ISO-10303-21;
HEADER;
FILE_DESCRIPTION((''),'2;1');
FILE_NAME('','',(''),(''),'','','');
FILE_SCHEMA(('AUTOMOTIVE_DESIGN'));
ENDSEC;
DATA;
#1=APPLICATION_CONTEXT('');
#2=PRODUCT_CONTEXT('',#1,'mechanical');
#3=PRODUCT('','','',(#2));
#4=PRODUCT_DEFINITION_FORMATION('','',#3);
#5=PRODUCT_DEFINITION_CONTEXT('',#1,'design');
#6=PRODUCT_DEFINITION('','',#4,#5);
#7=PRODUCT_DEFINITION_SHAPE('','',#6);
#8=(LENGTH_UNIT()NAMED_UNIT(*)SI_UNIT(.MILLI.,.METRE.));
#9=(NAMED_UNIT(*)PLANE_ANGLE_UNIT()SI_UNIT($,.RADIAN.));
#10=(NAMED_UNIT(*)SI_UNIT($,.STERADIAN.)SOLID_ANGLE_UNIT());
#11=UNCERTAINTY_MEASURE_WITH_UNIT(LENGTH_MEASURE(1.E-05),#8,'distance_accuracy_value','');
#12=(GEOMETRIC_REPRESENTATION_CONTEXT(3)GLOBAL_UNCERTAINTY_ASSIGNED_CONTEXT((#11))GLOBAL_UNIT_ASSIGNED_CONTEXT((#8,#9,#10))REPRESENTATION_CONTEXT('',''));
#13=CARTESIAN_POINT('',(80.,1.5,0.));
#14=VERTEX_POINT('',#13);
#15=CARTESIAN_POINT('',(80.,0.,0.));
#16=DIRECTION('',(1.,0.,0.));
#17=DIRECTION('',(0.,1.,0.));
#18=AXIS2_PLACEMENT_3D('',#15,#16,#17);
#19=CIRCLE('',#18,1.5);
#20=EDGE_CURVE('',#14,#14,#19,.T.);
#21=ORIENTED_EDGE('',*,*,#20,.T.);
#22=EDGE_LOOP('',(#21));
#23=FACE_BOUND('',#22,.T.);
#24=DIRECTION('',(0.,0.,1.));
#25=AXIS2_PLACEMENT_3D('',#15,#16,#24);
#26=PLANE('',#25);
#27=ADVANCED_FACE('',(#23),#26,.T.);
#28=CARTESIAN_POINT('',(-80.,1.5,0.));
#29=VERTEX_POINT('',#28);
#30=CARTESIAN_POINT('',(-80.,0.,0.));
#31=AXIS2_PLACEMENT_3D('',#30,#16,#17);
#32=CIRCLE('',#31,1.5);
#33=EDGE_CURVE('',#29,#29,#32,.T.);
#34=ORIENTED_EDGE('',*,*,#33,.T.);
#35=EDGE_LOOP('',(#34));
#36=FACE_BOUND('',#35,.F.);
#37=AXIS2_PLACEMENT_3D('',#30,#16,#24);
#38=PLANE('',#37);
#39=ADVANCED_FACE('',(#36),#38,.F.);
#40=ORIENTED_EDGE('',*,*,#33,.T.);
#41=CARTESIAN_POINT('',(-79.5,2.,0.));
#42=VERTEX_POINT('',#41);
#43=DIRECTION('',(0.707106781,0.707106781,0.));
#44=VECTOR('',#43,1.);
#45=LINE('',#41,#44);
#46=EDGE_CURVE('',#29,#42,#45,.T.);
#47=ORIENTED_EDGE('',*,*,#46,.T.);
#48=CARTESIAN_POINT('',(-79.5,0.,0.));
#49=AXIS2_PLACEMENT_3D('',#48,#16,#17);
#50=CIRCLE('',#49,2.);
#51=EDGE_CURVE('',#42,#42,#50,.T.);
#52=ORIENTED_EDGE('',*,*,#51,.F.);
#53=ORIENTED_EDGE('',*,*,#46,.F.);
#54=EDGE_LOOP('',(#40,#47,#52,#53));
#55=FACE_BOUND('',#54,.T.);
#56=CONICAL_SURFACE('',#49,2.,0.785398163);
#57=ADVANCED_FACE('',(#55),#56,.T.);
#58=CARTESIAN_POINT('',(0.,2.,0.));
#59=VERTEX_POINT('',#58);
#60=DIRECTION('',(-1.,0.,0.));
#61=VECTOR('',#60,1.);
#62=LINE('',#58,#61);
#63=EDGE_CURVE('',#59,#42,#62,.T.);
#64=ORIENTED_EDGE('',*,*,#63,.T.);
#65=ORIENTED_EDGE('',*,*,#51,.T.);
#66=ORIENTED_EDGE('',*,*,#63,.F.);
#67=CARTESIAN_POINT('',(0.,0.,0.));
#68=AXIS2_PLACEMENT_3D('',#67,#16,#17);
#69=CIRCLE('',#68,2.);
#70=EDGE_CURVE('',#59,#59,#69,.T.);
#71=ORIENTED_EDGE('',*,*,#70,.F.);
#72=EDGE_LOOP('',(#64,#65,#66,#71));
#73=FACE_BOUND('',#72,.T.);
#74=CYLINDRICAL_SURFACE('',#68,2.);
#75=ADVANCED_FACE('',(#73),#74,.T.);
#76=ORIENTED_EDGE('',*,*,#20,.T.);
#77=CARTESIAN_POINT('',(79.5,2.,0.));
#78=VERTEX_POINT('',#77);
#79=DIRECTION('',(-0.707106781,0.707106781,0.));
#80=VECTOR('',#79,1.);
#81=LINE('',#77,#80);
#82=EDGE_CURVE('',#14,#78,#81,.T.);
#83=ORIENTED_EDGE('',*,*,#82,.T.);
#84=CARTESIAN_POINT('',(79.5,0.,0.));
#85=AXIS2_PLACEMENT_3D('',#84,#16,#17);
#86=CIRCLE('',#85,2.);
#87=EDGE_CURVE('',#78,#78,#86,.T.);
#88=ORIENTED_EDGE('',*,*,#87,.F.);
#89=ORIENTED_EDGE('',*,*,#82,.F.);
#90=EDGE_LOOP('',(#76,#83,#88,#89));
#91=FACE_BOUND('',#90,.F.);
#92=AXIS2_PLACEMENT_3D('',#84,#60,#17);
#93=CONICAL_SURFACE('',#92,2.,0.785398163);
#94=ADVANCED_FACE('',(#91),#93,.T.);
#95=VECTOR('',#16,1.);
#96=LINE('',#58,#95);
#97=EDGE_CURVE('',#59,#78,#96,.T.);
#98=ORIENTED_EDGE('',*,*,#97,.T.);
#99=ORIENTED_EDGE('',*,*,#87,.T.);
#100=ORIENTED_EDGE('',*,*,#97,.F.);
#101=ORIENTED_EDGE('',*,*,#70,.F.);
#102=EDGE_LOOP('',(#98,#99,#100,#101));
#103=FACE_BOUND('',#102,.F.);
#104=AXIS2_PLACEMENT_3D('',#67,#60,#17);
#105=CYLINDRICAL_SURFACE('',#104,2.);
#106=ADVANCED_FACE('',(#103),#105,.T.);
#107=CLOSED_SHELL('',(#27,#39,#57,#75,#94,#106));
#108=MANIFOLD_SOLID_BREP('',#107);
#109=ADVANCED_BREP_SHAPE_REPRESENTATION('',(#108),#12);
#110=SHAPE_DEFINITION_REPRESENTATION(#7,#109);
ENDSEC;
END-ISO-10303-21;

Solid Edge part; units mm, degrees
sketch "Sketch1" plane through (0, 0, 0) normal (1, 0, 0) x (0, 1, 0)
  circle A0 centre (0, 0) radius 2
extrude "Protrusion1" add sketch "Sketch1" along normal mid plane 160
cosmetic_thread "Thread_3" size "M4" thread depth 8
cosmetic_thread "Thread_4" size "M4" thread depth 8
chamfer "Chamfer_1" distance 0.5 angle 45 1 edges at (-80, -2, 0) measured on face at (-80, 1.2933, -1.3733)
chamfer "Chamfer_2" distance 0.5 angle 45 1 edges at (80, -2, 0) measured on face at (80, 1.2933, -1.3733)
